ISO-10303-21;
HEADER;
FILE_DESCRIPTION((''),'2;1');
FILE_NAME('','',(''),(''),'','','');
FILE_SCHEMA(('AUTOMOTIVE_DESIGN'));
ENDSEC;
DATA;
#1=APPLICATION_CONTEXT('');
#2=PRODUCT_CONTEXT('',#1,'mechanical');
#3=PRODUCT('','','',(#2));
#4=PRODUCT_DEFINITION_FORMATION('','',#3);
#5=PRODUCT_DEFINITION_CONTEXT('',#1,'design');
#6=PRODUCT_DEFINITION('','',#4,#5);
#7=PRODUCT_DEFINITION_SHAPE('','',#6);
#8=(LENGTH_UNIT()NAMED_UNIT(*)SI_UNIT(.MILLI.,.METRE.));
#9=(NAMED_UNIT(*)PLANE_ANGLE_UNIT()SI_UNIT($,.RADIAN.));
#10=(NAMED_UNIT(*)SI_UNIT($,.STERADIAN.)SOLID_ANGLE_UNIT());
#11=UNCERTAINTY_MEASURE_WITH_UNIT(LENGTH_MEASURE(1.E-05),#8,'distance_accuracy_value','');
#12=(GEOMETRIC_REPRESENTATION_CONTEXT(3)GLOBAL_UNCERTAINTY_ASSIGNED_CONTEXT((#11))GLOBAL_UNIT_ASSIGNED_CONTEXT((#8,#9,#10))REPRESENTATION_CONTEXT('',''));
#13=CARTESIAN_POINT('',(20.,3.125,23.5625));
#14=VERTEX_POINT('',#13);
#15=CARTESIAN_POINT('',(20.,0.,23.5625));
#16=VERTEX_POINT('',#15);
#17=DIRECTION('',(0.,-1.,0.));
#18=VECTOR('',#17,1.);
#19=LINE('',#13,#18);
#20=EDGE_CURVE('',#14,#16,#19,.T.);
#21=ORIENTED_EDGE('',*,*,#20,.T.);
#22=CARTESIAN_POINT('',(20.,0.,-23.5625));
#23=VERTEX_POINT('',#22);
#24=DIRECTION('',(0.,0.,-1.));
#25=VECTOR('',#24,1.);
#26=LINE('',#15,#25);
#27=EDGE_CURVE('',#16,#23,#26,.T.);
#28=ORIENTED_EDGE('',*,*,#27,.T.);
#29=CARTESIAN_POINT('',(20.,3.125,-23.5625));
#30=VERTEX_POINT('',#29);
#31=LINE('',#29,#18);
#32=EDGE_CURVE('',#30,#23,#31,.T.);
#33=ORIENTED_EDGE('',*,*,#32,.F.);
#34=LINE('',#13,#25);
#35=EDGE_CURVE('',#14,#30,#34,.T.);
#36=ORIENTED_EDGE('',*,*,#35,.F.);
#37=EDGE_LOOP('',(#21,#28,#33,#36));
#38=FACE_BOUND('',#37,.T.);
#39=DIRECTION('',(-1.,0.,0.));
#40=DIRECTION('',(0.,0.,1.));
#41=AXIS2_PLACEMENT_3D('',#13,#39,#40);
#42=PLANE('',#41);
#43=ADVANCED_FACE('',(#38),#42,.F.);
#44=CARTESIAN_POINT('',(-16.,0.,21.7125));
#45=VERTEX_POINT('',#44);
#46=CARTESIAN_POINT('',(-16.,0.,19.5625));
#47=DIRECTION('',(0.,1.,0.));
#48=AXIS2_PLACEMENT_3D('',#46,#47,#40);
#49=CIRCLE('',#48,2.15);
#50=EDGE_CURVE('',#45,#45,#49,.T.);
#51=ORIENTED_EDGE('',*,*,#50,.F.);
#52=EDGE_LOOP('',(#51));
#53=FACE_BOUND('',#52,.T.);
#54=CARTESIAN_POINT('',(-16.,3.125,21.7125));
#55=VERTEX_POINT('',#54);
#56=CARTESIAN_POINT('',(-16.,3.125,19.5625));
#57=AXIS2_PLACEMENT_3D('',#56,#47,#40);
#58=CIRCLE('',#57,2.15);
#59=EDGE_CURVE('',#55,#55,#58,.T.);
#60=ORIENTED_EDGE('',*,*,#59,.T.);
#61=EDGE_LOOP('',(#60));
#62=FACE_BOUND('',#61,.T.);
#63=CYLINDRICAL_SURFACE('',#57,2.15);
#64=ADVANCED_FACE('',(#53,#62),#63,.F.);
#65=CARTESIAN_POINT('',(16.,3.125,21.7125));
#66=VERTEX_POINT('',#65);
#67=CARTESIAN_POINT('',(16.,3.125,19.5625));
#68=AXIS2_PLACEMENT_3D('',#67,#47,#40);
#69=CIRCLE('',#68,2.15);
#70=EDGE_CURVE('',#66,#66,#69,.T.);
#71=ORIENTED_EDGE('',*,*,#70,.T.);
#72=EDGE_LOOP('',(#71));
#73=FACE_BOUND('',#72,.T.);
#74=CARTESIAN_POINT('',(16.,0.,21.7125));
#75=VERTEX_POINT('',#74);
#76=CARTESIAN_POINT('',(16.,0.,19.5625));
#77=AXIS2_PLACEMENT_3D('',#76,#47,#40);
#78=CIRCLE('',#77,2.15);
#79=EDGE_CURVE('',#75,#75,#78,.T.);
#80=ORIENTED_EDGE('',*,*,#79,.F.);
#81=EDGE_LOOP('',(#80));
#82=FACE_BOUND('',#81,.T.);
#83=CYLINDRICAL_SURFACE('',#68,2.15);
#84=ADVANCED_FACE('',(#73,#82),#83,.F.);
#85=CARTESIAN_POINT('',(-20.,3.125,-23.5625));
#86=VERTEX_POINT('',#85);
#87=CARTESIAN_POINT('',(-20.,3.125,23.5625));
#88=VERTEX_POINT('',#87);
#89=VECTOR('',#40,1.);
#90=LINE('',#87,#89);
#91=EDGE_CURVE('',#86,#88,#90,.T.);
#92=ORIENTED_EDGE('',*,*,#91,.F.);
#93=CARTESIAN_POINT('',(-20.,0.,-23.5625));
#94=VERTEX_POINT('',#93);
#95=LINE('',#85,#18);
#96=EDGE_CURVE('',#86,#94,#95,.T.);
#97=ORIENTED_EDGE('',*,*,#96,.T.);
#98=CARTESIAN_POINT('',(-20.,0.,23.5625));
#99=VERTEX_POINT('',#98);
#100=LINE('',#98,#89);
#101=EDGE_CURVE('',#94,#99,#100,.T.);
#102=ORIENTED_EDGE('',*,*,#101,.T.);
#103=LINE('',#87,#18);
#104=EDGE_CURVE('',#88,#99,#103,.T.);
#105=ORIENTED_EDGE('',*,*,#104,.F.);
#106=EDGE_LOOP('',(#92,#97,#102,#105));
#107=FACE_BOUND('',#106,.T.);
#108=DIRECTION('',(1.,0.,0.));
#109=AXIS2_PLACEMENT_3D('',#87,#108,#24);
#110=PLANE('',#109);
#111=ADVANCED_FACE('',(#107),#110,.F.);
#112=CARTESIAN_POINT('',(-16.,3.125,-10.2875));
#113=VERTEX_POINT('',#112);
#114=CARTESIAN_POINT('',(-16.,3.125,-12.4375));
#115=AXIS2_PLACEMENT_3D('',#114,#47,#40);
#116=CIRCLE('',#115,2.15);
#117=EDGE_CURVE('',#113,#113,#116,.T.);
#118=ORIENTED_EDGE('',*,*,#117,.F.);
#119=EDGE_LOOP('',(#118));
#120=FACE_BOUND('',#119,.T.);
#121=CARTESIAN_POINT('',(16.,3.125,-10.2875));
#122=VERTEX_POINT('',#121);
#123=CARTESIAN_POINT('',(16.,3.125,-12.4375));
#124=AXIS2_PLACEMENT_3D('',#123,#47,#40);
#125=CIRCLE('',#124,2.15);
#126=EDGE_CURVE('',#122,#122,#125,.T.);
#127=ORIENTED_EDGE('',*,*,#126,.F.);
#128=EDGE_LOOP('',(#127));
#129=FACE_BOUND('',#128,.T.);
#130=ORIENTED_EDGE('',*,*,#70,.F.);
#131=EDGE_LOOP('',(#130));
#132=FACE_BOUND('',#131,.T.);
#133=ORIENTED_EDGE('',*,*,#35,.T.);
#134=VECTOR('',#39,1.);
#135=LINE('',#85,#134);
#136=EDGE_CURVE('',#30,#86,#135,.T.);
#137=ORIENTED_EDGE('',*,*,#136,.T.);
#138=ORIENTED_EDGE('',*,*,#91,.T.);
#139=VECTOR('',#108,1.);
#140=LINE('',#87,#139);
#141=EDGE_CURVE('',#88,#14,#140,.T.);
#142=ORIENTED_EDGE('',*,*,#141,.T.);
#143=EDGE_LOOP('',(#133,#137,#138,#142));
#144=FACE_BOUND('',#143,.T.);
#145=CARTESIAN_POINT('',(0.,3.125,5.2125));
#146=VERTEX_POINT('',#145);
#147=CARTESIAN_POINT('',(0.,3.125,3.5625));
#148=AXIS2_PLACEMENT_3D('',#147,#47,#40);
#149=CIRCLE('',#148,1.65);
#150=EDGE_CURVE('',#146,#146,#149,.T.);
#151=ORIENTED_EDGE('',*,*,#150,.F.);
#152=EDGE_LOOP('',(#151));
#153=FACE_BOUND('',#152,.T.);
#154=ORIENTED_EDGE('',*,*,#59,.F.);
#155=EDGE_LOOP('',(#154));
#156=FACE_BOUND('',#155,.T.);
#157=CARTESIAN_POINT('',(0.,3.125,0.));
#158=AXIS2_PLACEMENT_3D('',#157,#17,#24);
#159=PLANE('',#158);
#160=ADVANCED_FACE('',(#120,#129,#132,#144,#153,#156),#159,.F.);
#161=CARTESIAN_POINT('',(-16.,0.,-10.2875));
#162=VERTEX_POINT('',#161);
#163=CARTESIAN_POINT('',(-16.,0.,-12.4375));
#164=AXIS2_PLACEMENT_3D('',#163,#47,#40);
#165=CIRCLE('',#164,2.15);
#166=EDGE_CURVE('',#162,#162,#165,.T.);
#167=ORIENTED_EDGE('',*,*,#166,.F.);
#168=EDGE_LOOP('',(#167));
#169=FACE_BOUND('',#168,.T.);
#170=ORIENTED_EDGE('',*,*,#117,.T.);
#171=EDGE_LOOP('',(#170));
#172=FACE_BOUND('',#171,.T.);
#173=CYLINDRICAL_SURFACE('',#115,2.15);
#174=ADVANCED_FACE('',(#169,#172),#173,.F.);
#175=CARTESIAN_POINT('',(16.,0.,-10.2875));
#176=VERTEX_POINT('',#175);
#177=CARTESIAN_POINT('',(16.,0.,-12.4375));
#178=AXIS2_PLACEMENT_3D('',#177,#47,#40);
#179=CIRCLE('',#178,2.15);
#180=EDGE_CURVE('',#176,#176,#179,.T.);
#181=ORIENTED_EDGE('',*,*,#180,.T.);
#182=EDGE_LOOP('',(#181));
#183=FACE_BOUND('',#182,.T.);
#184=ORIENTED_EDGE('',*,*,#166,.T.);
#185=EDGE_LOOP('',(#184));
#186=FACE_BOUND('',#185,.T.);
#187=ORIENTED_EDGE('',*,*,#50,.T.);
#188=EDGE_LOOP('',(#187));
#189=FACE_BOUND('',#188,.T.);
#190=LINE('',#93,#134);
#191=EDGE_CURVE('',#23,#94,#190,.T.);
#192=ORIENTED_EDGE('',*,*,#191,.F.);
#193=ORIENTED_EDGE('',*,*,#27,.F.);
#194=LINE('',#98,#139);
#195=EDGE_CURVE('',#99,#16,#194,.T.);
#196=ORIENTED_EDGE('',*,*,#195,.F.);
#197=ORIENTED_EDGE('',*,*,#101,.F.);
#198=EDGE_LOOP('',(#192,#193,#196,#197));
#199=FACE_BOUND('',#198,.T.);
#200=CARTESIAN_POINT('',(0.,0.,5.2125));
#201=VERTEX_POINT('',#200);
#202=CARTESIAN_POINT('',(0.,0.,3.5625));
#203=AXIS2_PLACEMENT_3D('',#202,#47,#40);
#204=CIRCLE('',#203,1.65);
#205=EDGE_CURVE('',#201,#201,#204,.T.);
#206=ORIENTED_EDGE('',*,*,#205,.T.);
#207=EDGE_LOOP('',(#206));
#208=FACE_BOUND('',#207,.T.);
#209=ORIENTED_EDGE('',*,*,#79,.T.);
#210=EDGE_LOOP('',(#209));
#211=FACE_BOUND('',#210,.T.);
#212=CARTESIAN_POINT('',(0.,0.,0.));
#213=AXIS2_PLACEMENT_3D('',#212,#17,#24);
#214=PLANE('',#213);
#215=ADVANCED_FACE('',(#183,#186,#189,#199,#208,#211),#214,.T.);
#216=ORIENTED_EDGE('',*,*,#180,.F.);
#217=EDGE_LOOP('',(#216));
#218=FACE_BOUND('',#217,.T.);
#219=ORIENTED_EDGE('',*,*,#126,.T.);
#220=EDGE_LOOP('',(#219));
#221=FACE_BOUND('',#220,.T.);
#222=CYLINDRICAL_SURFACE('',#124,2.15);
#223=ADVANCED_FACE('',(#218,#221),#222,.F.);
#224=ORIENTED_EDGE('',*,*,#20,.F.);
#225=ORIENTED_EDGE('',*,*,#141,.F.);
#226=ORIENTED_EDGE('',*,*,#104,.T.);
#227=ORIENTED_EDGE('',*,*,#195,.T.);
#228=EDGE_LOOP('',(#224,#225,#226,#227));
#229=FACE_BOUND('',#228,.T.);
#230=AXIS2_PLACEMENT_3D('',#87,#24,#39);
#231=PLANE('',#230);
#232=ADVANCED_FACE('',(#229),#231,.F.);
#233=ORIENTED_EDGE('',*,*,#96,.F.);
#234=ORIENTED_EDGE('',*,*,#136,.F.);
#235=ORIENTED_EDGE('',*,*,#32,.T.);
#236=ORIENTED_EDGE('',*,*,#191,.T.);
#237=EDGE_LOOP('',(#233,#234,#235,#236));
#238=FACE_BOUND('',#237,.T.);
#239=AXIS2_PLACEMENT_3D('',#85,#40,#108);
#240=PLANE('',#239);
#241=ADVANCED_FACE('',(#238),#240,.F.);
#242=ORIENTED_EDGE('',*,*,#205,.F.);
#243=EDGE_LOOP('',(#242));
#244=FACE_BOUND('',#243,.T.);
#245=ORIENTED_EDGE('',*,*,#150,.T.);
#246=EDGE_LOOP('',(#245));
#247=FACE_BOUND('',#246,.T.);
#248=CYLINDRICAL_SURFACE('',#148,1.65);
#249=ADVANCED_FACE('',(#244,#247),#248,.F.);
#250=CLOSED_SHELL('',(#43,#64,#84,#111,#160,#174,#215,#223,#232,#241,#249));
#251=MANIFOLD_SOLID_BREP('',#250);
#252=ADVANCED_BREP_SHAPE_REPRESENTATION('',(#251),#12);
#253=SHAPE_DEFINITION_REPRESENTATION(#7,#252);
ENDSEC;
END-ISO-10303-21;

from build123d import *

# Parameters (mm, degrees)
SKETCH1_W             = 40
SKETCH1_H             = 47.125
BOSS_EXTRUDE1_DEPTH   = 3.125
M4_CLEARANCE_HOLE1_D  = 4.3
M4X0_7_TAPPED_HOLE1_D = 3.3


with BuildPart() as part:
    # Sketch1 → Boss-Extrude1 (new body)
    with BuildSketch(Plane(origin=(0, 0, 0), x_dir=(1, 0, 0), z_dir=(0, 1, 0))):
        Rectangle(SKETCH1_W, SKETCH1_H)
    extrude(amount=BOSS_EXTRUDE1_DEPTH)

    # M4 Clearance Hole1 (through all)
    with Locations(Plane(origin=(0, 3.125, 0), x_dir=(1, 0, 0), z_dir=(0, 1, 0))):
        with Locations((16, -19.5625), (-16, -19.5625), (-16, 12.4375), (16, 12.4375)):
            Hole(M4_CLEARANCE_HOLE1_D / 2)

    # M4x0.7 Tapped Hole1 (through all)
    with Locations(Plane(origin=(0, 3.125, 0), x_dir=(1, 0, 0), z_dir=(0, 1, 0))):
        with Locations((0, -3.5625)):
            Hole(M4X0_7_TAPPED_HOLE1_D / 2)


solid = part.part
